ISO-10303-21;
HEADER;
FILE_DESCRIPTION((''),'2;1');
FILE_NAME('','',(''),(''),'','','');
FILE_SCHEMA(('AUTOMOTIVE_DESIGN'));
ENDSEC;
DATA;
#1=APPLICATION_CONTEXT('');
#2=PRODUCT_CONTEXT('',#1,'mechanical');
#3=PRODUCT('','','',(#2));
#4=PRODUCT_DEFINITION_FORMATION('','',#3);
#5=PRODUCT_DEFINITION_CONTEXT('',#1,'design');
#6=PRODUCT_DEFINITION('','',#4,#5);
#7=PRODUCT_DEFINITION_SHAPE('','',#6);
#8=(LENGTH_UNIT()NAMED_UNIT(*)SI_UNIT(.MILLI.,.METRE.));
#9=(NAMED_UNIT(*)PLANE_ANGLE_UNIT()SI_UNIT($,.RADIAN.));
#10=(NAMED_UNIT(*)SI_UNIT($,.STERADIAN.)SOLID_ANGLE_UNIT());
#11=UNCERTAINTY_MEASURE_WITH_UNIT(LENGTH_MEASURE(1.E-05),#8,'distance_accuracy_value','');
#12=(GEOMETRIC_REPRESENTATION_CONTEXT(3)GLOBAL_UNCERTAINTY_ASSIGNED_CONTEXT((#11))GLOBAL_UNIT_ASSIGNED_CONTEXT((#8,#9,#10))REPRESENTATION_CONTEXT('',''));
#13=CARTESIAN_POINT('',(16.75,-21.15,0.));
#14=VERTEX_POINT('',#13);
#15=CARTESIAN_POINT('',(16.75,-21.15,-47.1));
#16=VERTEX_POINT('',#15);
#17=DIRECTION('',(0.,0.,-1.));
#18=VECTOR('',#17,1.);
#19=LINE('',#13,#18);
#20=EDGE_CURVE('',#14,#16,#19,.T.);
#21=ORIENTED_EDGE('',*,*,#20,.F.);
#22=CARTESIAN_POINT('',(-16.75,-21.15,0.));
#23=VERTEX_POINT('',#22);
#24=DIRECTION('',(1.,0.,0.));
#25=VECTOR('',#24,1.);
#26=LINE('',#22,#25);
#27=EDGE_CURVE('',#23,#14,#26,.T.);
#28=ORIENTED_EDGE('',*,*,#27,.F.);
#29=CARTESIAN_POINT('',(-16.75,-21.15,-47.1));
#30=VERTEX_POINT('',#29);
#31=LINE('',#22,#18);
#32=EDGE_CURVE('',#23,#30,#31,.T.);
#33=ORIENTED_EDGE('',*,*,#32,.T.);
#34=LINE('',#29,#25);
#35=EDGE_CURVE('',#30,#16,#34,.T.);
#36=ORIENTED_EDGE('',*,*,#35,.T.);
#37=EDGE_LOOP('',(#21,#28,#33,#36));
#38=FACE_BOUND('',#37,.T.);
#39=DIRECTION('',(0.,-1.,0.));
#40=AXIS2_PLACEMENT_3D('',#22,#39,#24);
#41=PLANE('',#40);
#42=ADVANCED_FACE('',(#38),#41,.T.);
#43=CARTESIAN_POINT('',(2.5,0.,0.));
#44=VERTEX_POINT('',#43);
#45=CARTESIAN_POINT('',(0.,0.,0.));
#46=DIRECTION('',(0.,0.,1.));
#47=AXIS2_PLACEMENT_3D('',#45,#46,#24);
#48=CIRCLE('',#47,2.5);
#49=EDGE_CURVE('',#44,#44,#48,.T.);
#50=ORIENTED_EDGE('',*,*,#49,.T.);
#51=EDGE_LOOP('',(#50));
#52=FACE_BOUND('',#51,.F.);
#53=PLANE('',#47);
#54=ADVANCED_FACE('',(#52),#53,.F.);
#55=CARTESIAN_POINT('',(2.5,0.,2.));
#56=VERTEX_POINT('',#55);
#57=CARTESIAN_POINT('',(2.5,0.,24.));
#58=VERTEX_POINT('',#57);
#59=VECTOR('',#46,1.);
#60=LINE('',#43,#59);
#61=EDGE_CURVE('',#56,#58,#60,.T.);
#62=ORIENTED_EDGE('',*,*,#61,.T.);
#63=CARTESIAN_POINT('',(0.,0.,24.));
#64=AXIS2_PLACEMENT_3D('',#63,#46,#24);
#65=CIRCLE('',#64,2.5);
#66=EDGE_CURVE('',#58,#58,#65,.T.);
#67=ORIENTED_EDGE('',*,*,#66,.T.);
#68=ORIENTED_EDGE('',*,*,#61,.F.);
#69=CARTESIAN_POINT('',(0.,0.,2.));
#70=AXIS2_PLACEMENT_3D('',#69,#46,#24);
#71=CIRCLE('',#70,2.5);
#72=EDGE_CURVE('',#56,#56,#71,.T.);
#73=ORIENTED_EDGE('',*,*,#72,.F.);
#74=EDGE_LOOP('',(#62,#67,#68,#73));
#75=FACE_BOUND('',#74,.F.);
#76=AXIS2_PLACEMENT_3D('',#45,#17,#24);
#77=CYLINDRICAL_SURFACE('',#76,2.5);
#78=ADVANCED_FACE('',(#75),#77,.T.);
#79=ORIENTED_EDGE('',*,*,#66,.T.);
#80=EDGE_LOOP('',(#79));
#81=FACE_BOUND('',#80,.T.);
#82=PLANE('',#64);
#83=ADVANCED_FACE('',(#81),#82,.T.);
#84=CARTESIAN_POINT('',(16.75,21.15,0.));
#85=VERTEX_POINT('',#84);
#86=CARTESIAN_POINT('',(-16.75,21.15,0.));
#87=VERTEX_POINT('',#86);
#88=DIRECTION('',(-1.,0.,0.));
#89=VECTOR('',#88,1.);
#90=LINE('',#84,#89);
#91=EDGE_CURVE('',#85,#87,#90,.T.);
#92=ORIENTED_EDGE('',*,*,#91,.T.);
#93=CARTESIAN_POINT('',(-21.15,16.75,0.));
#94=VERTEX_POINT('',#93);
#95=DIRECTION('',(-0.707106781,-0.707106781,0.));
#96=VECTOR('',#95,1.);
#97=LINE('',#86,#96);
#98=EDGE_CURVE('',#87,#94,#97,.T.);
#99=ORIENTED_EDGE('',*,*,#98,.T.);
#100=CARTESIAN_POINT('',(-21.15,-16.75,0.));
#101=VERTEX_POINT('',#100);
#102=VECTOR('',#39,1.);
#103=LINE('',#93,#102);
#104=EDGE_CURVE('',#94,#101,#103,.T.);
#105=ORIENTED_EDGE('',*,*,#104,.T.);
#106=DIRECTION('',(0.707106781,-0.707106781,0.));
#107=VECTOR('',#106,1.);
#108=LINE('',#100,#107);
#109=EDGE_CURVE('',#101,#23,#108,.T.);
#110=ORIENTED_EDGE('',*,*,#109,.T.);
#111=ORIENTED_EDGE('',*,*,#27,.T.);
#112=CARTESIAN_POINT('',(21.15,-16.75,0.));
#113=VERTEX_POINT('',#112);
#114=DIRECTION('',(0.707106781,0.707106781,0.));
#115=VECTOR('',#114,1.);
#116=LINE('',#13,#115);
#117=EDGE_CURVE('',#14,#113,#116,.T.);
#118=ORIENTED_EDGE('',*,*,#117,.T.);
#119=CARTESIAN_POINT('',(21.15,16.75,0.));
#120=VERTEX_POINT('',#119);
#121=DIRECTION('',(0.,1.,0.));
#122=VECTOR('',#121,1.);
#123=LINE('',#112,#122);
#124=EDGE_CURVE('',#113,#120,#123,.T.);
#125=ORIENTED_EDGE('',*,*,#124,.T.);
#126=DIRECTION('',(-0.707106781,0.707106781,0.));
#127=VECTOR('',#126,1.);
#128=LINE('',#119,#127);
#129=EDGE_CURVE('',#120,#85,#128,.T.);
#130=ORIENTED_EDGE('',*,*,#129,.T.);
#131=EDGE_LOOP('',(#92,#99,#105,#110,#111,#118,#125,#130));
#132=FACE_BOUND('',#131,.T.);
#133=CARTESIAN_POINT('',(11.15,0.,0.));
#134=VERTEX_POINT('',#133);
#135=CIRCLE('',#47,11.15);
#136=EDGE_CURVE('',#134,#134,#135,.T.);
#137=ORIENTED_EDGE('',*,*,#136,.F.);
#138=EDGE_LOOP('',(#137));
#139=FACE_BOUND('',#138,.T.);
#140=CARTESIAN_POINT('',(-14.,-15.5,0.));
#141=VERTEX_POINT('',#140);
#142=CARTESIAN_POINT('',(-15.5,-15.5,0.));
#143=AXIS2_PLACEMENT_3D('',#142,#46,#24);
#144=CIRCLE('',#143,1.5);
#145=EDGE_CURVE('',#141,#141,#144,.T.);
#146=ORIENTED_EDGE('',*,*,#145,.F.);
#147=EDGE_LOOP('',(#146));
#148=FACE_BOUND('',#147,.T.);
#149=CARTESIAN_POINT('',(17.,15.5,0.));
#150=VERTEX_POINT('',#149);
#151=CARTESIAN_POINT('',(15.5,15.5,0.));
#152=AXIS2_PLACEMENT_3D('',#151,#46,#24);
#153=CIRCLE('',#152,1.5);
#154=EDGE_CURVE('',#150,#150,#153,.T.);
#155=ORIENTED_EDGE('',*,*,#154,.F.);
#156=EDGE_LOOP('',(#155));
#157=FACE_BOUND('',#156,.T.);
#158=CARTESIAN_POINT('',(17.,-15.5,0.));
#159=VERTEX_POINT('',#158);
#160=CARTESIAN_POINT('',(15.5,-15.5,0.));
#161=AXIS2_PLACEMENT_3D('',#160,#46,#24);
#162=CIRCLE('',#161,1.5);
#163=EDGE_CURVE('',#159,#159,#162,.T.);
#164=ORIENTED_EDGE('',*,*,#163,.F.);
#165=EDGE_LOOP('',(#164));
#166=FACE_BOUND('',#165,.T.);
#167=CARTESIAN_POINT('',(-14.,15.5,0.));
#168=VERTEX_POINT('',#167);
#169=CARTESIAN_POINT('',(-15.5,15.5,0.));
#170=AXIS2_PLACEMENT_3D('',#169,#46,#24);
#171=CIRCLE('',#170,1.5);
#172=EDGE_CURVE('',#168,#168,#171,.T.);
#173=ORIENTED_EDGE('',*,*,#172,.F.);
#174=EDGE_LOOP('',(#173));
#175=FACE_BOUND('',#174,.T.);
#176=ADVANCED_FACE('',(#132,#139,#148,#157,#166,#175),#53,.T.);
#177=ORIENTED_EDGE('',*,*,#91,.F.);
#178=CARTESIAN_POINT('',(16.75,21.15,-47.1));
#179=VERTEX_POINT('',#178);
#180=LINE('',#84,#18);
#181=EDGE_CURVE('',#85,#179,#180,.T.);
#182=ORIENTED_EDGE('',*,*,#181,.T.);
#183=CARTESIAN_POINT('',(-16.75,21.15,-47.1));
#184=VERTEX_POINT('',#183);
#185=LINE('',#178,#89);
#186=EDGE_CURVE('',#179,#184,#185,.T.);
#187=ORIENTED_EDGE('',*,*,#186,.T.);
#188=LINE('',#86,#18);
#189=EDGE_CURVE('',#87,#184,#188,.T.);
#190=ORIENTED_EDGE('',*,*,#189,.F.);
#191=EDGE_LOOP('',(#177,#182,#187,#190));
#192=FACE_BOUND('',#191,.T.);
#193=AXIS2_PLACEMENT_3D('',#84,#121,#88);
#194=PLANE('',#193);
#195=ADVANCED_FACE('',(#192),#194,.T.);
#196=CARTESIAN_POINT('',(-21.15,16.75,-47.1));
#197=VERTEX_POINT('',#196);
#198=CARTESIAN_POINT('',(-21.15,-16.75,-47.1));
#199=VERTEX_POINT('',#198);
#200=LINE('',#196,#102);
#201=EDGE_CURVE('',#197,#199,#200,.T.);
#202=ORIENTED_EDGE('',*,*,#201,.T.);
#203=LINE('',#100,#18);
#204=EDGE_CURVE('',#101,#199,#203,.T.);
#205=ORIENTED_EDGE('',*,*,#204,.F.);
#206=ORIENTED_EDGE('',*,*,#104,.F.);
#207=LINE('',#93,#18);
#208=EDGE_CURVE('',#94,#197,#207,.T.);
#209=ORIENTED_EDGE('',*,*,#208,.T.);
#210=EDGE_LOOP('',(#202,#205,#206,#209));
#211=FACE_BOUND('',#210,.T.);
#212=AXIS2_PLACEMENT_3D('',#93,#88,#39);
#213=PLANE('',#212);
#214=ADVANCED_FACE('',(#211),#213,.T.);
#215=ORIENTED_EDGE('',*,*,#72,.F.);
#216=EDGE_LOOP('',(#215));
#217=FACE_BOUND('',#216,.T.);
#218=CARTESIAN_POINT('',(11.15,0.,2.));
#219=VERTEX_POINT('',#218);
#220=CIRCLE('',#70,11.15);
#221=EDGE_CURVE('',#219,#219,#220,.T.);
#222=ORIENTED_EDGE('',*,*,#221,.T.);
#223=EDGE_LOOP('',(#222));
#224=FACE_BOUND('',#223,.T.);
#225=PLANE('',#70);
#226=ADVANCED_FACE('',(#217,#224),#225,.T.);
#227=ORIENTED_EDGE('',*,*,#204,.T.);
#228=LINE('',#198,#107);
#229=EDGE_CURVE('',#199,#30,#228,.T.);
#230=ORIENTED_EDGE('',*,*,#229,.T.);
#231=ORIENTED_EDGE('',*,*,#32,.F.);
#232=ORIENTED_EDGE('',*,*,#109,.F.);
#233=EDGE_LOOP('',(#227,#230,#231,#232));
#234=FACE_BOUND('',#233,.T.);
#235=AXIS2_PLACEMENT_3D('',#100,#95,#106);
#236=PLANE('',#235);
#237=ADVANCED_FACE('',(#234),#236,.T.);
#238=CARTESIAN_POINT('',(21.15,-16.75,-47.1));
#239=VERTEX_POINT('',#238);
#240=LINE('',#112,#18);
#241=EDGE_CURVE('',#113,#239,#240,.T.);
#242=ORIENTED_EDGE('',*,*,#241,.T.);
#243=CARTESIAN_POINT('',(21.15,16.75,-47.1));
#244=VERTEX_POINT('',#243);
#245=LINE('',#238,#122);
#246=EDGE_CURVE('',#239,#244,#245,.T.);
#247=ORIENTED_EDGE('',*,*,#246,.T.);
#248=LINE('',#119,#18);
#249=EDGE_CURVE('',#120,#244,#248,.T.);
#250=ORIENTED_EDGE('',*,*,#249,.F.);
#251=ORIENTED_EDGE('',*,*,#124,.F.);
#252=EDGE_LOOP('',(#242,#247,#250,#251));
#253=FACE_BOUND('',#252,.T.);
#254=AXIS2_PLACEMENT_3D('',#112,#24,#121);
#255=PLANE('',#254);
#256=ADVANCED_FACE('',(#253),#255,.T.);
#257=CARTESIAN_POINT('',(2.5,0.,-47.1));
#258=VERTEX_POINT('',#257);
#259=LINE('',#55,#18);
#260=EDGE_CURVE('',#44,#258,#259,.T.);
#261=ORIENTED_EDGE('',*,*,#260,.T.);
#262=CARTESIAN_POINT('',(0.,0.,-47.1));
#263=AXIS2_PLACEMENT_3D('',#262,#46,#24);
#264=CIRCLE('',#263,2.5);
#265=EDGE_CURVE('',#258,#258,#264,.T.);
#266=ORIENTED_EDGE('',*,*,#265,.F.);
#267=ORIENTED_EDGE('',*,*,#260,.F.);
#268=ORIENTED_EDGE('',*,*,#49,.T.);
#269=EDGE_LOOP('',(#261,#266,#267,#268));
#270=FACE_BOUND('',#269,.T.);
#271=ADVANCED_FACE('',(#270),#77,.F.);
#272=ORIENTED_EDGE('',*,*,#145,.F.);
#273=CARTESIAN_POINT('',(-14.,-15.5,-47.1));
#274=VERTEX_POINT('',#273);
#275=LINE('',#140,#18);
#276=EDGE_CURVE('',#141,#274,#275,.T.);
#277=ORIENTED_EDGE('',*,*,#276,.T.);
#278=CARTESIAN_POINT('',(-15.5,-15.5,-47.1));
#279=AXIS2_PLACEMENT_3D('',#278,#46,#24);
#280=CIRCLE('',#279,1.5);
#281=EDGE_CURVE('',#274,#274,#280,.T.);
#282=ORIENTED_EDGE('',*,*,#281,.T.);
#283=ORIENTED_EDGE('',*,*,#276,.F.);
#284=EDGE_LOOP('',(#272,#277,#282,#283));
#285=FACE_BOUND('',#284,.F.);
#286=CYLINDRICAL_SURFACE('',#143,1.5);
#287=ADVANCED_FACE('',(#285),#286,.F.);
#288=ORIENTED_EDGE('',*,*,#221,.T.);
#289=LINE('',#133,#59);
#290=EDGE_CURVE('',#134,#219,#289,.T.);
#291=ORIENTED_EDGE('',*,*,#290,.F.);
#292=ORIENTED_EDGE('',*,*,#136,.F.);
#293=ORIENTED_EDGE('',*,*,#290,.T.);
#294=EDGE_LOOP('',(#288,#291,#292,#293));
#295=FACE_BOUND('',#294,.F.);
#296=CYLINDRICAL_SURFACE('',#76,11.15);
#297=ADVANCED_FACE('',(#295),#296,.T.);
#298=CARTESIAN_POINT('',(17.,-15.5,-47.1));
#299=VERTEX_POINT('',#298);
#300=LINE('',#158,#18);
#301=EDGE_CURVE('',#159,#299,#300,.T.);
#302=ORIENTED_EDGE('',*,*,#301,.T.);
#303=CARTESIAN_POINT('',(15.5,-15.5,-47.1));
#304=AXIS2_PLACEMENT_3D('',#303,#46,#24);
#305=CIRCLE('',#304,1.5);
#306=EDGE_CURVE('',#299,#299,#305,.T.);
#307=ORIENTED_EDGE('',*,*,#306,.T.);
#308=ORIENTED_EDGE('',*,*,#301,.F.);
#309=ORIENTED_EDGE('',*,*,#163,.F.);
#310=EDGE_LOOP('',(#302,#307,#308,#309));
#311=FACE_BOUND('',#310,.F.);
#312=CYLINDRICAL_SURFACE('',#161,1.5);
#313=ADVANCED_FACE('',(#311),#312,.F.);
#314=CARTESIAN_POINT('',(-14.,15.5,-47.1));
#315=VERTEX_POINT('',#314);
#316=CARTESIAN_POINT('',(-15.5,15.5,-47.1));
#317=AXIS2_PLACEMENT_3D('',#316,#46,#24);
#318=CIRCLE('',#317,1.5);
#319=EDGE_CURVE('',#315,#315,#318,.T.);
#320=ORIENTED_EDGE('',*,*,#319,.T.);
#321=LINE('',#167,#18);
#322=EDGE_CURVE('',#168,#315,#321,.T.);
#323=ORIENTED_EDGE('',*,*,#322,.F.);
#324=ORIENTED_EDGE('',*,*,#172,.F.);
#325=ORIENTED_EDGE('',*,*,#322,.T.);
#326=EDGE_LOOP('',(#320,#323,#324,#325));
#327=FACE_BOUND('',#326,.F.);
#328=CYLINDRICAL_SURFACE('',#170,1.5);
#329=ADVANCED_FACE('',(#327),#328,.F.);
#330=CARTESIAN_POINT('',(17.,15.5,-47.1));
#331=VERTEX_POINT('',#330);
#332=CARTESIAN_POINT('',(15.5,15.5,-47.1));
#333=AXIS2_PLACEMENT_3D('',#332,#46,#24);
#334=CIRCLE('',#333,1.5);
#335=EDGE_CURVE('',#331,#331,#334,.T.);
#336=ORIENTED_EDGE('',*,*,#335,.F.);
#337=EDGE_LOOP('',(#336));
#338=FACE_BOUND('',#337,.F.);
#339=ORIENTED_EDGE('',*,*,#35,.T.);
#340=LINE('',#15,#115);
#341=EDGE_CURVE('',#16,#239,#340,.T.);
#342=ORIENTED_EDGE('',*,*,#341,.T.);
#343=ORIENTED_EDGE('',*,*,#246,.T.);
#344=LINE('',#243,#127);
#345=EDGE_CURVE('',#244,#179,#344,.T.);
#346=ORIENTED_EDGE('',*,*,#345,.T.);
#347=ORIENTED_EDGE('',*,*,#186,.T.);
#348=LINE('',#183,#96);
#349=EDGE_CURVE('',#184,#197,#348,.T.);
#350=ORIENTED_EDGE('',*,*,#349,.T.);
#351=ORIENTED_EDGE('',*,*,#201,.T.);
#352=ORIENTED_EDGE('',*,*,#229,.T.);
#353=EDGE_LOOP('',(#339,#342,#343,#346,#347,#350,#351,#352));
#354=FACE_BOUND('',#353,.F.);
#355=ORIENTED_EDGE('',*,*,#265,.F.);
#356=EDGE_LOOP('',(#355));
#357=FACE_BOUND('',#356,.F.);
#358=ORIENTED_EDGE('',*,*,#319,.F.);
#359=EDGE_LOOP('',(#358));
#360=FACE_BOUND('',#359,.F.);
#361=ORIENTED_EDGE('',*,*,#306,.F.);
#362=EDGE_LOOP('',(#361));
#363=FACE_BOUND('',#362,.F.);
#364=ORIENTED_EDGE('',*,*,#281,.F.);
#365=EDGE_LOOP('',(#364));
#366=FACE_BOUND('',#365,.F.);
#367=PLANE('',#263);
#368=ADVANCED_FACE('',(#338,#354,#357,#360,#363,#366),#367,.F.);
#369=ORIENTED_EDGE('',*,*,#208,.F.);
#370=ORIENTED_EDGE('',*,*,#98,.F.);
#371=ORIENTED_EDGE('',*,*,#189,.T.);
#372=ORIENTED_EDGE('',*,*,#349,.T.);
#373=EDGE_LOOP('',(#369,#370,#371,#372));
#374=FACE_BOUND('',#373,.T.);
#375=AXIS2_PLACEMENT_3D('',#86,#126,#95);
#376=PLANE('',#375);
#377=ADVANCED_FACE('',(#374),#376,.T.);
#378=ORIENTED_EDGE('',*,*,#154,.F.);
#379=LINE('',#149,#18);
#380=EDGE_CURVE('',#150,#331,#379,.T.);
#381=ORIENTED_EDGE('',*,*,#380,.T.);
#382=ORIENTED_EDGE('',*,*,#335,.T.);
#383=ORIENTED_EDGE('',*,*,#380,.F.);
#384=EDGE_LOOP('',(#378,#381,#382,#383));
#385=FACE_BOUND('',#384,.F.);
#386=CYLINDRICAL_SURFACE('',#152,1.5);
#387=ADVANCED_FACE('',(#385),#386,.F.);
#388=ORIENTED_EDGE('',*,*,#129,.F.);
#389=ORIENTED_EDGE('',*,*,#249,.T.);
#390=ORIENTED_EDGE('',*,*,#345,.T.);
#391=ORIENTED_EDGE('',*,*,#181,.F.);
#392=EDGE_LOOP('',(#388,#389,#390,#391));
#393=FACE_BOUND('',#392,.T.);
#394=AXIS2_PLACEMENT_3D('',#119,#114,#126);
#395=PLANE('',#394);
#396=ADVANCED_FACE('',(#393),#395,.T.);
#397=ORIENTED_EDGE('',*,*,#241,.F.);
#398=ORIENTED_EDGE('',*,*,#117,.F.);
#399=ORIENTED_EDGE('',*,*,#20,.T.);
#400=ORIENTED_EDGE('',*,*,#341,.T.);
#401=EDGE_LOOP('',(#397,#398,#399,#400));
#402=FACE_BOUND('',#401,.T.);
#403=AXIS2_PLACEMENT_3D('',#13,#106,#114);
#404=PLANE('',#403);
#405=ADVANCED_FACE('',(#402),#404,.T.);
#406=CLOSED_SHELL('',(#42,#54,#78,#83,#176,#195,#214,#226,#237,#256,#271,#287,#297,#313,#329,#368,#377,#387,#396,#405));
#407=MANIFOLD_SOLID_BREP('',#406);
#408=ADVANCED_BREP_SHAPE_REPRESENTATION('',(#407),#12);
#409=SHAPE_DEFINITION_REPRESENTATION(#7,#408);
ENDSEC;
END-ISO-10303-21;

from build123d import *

# Parameters (mm, degrees)
F0_R     = 1.5
F0_R_2   = 11.15
F0_R_3   = 2.5
F1_DEPTH = 47.1
F2_DEPTH = 2
F3_DEPTH = 24


with BuildPart() as f1:
    # F0 (on Top) → F1 (new body)
    with BuildSketch(Plane.XY):
        Polygon((-16.75, 21.15), (-21.15, 16.75), (-21.15, -16.75), (-16.75, -21.15), (16.75, -21.15), (21.15, -16.75), (21.15, 16.75), (16.75, 21.15), align=None)
        with Locations((-15.5, -15.5)):
            Circle(F0_R, mode=Mode.SUBTRACT)
        with Locations((15.5, -15.5)):
            Circle(F0_R, mode=Mode.SUBTRACT)
        with Locations((-15.5, 15.5)):
            Circle(F0_R, mode=Mode.SUBTRACT)
        Circle(F0_R_2, mode=Mode.SUBTRACT)
        with Locations((15.5, 15.5)):
            Circle(F0_R, mode=Mode.SUBTRACT)
        Circle(F0_R_2)
        Circle(F0_R_3, mode=Mode.SUBTRACT)
    extrude(amount=-F1_DEPTH)

    # F0 (on Top) → F2 (join)
    with BuildSketch(Plane.XY):
        Circle(F0_R_2)
        Circle(F0_R_3, mode=Mode.SUBTRACT)
    extrude(amount=F2_DEPTH)

    # F0 (on Top) → F3 (join)
    with BuildSketch(Plane.XY):
        Circle(F0_R_3)
    extrude(amount=F3_DEPTH)


solid = f1.part
